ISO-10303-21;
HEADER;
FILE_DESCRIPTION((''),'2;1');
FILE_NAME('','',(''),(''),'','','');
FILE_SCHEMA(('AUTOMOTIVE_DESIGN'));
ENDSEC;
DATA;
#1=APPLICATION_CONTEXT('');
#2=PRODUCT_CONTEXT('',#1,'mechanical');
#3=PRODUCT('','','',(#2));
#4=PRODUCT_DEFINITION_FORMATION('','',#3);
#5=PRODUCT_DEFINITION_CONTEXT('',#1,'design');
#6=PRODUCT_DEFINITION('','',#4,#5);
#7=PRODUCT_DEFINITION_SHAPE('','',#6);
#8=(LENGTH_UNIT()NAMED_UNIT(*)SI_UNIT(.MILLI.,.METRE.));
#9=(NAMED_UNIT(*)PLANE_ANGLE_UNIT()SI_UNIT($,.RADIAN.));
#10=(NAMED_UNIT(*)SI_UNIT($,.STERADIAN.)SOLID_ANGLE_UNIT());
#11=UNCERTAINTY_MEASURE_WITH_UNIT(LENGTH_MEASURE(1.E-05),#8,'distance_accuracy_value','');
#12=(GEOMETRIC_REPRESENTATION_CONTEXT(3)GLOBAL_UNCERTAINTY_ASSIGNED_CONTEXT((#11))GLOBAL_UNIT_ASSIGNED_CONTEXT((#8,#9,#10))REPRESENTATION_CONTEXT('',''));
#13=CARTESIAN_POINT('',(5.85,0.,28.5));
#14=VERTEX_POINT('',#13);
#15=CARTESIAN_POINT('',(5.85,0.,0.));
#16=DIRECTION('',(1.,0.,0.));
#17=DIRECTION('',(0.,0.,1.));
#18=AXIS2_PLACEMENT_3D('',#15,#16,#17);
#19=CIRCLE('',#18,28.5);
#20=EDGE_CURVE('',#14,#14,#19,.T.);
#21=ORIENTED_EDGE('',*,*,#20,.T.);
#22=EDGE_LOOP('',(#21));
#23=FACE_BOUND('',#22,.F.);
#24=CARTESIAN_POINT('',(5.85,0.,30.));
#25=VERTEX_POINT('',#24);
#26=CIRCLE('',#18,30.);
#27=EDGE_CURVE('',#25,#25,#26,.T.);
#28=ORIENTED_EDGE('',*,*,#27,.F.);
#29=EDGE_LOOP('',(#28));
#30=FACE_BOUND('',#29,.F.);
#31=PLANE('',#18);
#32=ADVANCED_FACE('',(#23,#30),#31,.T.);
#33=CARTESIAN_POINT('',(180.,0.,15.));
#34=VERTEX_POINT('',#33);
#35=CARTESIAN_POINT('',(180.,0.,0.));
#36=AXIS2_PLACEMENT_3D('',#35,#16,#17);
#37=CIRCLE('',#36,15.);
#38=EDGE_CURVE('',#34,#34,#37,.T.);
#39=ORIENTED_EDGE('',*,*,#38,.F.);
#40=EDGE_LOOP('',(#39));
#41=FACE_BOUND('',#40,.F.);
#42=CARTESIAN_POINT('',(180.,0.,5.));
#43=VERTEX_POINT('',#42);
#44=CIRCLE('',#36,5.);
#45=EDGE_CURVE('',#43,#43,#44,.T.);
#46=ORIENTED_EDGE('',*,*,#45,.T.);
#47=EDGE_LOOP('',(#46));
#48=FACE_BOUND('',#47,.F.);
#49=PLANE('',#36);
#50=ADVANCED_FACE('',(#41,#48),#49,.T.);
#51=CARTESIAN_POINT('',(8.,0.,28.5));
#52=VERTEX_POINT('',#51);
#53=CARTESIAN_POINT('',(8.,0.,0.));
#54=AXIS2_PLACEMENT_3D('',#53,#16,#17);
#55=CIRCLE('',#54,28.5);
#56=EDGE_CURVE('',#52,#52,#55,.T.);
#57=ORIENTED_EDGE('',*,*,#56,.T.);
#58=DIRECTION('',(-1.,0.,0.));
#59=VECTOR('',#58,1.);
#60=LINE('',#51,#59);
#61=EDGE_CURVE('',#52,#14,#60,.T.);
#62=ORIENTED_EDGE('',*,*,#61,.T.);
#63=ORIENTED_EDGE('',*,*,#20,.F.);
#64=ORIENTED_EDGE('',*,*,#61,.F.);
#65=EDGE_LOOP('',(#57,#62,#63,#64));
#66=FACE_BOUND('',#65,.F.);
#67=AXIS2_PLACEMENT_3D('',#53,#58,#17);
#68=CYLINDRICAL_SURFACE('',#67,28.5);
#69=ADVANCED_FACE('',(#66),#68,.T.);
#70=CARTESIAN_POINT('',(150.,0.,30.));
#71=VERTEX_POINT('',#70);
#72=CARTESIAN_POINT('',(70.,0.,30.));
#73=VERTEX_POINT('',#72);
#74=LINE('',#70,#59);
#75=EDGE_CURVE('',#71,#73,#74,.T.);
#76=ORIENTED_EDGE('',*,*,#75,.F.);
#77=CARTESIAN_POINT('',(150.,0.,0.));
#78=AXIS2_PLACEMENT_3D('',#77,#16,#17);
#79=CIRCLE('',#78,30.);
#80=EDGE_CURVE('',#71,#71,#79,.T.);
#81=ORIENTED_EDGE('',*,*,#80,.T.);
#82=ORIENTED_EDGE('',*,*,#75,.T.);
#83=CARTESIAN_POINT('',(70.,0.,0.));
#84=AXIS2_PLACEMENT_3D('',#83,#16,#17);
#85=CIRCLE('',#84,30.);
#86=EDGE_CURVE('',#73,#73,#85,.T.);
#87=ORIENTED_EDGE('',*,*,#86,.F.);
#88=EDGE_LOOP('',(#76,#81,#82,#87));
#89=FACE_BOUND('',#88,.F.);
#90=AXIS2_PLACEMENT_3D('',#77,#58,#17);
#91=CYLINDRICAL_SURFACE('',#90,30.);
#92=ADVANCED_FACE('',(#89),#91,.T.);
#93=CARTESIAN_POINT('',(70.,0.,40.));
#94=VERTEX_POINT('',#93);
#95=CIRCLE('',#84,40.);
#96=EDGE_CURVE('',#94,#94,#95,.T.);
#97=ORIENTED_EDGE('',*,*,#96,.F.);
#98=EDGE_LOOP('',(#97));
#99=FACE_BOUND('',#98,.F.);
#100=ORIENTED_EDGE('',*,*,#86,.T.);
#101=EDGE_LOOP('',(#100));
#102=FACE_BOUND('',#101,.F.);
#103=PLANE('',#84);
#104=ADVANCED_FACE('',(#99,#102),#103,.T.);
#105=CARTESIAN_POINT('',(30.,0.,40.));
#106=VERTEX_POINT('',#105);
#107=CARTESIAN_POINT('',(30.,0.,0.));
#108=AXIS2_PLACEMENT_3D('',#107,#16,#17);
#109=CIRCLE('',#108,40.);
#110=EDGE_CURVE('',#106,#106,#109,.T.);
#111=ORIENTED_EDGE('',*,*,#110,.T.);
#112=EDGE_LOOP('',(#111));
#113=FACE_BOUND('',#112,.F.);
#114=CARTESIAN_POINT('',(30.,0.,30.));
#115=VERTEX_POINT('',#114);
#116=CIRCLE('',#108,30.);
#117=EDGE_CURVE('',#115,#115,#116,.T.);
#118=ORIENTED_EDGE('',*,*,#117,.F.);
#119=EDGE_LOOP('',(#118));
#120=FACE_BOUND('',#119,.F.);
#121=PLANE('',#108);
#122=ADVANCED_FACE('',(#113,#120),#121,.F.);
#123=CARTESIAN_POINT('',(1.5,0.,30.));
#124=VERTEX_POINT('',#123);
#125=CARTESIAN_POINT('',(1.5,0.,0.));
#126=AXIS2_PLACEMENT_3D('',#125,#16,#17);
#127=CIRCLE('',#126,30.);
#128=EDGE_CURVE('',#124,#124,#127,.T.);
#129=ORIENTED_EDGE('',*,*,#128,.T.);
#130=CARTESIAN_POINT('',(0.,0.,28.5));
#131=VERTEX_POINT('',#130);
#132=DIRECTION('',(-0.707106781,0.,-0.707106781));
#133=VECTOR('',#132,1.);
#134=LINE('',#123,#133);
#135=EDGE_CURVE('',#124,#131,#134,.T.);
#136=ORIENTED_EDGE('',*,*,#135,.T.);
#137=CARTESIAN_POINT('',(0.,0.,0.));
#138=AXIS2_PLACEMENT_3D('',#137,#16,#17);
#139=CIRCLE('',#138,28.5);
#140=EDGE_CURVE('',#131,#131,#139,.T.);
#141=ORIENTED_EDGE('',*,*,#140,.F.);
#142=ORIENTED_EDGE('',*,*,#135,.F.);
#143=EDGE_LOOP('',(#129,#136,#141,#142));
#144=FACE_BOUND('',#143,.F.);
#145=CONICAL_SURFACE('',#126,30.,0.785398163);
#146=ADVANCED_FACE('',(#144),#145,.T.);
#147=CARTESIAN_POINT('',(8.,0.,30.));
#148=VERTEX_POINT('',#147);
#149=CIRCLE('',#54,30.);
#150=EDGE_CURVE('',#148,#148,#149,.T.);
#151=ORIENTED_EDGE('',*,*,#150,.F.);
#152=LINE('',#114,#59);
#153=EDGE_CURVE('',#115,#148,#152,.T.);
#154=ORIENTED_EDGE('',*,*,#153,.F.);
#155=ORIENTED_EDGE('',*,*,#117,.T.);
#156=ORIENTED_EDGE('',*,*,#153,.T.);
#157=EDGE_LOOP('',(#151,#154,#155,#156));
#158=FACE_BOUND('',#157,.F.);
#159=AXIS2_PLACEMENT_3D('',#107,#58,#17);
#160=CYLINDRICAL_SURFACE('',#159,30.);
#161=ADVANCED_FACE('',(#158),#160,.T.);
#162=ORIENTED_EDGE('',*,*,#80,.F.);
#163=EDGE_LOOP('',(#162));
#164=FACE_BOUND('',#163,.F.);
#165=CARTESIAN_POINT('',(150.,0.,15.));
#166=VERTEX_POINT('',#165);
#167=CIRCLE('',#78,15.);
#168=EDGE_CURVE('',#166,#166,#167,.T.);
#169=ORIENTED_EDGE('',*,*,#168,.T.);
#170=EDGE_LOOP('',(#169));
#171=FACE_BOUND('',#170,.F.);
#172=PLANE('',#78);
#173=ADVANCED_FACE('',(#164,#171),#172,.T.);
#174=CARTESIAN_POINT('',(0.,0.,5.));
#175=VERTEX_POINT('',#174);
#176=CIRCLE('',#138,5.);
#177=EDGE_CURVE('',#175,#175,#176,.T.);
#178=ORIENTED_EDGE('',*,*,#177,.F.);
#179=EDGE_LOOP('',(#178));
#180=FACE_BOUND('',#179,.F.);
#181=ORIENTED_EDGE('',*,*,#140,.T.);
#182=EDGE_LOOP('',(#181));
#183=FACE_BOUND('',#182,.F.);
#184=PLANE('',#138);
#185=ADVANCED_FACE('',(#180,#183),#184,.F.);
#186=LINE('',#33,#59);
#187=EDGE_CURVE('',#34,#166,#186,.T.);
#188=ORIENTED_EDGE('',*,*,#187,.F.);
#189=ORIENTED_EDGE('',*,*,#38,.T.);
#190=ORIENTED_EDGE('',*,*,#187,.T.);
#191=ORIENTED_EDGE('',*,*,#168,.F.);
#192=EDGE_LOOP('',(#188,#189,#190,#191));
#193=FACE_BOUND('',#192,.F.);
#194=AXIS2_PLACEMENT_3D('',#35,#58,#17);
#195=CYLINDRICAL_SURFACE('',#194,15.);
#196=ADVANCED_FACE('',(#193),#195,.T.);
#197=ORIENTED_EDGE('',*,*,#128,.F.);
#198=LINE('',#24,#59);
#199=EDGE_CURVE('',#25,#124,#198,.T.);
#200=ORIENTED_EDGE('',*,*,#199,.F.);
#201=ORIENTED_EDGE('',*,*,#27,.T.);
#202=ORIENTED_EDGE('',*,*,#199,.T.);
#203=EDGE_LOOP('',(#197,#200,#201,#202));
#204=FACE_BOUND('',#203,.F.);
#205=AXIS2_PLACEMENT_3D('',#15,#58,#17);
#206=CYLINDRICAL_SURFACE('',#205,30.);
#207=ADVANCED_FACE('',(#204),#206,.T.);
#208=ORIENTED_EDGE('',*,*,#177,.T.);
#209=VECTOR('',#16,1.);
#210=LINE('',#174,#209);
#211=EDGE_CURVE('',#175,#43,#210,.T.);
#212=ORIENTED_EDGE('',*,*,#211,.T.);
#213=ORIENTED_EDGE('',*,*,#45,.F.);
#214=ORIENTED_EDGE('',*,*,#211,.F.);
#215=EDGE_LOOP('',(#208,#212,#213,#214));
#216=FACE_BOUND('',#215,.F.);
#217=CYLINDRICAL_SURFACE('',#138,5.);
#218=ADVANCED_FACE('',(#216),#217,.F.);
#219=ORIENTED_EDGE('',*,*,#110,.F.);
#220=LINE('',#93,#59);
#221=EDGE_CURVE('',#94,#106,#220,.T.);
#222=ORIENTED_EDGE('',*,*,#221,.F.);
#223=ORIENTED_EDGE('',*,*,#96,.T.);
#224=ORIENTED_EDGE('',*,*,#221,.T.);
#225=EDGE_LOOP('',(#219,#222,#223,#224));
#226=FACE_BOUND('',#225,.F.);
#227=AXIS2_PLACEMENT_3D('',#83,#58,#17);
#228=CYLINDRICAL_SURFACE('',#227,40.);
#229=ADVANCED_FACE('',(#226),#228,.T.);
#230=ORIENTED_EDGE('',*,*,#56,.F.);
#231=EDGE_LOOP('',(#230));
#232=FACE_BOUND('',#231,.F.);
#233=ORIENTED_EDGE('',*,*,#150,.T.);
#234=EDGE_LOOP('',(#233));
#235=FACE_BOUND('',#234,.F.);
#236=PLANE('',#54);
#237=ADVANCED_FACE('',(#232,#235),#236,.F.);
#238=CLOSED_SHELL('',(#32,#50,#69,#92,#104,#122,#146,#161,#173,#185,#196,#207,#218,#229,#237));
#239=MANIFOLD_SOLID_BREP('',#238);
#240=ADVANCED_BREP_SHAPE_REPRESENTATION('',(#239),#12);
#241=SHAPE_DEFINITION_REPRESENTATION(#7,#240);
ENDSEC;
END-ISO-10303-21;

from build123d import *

# Parameters (mm, degrees)
F2_SIZE = 1.5


with BuildPart() as f1:
    # F0 (on Front) → F1 (revolve)
    with BuildSketch(Plane.XZ):
        Polygon((5.85, 30), (0, 30), (0, 5), (180, 5), (180, 15), (150, 15), (150, 30), (70, 30), (70, 40), (30, 40), (30, 30), (8, 30), (8, 28.5), (5.85, 28.5), align=None)
    revolve(axis=Axis((74.107222, 0, 0), (1, 0, 0)))

    # F2
    f2_edges = [f1.edges().sort_by_distance(p)[0] for p in [
        (0, 0, -30),
    ]]
    chamfer(f2_edges, length=F2_SIZE)


solid = f1.part
